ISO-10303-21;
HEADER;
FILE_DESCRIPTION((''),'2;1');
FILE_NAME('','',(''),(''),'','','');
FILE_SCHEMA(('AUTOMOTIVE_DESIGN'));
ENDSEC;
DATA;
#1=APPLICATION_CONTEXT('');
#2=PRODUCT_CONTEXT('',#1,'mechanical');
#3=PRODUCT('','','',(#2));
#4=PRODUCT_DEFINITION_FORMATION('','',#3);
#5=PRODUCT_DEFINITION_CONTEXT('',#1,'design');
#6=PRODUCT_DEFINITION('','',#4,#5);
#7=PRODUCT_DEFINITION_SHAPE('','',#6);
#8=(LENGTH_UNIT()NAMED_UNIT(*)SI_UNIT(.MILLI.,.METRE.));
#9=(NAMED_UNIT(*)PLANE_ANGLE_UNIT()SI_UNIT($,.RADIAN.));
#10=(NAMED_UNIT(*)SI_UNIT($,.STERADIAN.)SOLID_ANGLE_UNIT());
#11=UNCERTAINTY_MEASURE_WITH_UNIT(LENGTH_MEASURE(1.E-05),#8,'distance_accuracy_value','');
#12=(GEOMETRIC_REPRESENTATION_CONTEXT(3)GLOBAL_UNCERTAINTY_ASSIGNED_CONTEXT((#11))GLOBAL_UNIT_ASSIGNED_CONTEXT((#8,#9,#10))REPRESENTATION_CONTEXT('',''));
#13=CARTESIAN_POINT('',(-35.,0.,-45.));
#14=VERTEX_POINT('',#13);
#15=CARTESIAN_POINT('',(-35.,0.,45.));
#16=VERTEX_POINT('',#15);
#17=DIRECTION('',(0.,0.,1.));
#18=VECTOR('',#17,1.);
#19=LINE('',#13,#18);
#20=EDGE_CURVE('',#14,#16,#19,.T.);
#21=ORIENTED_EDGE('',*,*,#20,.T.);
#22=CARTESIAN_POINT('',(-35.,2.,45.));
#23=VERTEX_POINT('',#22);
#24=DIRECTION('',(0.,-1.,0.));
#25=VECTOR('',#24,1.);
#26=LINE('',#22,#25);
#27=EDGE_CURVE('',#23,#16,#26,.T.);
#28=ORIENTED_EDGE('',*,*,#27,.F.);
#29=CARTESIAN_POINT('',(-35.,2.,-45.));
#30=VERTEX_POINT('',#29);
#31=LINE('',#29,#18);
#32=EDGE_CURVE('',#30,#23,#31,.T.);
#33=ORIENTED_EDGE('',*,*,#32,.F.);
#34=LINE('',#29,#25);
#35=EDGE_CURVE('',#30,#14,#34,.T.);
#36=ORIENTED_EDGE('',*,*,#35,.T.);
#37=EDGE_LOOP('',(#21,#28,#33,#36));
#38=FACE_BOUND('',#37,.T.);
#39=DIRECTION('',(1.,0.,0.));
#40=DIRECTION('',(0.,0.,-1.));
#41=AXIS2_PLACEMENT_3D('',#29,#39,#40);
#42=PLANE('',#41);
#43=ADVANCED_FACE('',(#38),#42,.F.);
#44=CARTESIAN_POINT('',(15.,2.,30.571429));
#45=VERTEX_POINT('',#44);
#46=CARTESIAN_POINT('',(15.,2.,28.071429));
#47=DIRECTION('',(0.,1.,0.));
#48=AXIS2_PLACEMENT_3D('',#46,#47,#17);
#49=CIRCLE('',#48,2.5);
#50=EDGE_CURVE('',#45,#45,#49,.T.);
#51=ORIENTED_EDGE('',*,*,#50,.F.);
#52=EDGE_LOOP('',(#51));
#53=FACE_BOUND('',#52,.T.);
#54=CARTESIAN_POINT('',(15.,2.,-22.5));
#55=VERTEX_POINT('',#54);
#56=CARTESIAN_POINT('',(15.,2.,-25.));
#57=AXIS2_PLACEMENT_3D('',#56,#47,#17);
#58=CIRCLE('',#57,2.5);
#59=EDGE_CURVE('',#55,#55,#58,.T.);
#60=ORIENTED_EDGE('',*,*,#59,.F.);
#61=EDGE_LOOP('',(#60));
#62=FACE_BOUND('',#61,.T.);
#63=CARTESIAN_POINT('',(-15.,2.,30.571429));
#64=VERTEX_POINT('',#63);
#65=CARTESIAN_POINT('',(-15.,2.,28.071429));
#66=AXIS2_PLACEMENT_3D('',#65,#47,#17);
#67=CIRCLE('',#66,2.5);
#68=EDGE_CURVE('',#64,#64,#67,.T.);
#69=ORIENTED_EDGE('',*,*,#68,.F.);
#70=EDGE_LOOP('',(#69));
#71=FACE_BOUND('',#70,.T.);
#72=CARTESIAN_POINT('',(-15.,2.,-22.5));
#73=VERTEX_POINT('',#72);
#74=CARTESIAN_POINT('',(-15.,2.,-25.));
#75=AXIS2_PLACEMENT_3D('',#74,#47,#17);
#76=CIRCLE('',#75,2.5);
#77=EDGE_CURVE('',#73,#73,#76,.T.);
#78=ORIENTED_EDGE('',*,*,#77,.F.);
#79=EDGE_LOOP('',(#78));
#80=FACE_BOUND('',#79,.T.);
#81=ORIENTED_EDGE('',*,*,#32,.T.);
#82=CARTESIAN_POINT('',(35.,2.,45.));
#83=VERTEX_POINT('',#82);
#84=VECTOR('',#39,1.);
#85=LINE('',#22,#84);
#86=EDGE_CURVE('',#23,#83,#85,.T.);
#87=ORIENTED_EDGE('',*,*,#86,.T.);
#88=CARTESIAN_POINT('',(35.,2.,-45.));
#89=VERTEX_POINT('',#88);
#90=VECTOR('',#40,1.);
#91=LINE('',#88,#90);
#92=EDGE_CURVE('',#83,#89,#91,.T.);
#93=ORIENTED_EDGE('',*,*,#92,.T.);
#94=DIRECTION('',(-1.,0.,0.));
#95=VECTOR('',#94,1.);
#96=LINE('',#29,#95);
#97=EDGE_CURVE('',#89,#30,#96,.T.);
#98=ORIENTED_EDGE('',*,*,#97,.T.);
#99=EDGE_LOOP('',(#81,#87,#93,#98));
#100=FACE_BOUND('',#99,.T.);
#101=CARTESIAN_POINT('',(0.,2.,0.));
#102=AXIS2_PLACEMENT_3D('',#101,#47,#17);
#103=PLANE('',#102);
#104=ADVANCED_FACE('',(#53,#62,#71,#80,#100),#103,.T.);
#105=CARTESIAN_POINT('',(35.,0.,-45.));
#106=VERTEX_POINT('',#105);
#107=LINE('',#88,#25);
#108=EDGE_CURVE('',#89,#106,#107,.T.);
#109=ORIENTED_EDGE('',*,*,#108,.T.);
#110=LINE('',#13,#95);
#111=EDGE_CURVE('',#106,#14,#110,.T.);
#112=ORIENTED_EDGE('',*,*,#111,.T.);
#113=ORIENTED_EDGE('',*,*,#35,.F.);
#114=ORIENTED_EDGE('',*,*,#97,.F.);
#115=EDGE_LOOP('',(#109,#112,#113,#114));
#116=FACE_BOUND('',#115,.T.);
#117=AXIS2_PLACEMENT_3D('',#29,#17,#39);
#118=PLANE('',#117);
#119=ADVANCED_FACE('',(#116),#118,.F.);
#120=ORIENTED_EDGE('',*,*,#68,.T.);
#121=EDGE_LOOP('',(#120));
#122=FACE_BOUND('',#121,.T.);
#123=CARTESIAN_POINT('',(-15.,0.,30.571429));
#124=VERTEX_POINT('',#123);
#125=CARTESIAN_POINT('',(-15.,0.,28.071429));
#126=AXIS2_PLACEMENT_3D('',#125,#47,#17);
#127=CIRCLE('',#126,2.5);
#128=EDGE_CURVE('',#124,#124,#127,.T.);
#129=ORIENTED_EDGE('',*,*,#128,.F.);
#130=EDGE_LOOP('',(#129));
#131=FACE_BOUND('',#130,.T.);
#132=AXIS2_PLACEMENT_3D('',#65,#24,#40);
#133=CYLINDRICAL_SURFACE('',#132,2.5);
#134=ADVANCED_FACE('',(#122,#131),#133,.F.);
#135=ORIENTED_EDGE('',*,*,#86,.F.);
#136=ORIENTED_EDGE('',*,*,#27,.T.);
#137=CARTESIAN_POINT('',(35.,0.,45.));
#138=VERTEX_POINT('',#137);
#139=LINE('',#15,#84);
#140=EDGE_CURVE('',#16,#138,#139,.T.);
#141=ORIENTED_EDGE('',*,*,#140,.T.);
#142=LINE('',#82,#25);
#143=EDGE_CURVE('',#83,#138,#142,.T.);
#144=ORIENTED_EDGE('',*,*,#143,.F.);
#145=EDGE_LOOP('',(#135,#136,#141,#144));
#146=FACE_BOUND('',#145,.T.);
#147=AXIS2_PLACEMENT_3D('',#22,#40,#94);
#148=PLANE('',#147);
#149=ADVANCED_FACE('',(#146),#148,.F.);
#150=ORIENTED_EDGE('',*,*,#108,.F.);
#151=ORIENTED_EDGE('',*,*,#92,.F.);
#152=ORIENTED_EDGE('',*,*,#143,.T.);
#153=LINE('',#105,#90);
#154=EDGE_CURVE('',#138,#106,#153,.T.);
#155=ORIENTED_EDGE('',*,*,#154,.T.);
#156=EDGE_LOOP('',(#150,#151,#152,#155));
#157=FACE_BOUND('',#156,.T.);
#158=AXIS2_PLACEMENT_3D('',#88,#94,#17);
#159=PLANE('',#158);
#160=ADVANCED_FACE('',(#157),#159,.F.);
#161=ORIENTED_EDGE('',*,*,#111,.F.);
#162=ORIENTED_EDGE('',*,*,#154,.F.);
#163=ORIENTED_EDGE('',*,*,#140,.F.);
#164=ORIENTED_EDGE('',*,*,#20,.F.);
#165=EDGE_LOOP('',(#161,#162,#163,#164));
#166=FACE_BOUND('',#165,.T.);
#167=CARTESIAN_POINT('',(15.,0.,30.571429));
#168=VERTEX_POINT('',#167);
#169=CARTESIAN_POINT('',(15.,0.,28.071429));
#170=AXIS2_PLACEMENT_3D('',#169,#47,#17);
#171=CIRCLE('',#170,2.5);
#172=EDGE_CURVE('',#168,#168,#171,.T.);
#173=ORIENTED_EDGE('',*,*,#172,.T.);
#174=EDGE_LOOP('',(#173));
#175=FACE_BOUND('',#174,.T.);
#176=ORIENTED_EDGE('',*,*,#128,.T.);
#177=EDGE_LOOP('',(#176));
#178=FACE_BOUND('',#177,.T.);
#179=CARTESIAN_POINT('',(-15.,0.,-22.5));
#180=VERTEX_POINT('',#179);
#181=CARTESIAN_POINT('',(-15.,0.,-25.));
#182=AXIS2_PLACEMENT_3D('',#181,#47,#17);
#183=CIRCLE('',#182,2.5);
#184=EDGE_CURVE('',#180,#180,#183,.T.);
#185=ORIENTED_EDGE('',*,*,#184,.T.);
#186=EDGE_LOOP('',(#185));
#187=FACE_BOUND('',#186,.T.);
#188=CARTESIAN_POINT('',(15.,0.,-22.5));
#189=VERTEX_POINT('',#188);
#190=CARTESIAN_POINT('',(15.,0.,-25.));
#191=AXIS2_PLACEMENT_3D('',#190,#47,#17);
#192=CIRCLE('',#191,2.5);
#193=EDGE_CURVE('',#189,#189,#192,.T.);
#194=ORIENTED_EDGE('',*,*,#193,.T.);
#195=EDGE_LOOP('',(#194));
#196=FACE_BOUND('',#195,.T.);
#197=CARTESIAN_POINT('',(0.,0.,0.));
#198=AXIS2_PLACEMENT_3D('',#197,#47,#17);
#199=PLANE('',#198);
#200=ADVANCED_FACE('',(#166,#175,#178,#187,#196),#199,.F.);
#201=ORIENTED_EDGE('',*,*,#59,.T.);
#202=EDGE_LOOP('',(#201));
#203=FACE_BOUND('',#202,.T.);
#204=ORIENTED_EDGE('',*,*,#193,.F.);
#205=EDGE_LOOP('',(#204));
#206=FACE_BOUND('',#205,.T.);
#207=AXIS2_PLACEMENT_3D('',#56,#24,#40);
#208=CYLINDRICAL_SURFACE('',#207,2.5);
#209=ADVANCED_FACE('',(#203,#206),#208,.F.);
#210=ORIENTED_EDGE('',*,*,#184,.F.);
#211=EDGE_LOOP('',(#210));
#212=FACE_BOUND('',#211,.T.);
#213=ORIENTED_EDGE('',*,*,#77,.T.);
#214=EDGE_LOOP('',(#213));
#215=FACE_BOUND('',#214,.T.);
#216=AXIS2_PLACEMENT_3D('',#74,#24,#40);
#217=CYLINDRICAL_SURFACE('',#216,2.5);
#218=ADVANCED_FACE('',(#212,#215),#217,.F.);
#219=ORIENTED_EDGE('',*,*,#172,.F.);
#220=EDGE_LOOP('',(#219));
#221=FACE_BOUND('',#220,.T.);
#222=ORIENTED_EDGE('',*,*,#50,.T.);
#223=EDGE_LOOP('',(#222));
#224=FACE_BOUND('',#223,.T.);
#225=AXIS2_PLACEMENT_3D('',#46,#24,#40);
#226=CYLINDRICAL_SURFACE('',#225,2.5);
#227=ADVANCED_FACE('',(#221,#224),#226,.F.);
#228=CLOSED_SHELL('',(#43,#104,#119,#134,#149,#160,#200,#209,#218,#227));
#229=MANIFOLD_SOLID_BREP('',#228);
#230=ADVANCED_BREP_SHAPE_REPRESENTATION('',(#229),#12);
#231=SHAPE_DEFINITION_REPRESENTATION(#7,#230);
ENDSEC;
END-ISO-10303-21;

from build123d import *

# Parameters (mm, degrees)
SKETCH1_W           = 70
SKETCH1_H           = 90
SKETCH1_R           = 2.5
BOSS_EXTRUDE1_DEPTH = 2


with BuildPart() as part:
    # Sketch1 → Boss-Extrude1 (new body)
    with BuildSketch(Plane(origin=(0, 0, 0), x_dir=(1, 0, 0), z_dir=(0, 1, 0))):
        Rectangle(SKETCH1_W, SKETCH1_H)
        with Locations(Location((-15, 25, 0), (0, 0, 270))):
            Circle(SKETCH1_R, mode=Mode.SUBTRACT)
        with Locations(Location((15, 25, 0), (0, 0, 270))):
            Circle(SKETCH1_R, mode=Mode.SUBTRACT)
        with Locations(Location((-15, -28.071428571, 0), (0, 0, 270))):
            Circle(SKETCH1_R, mode=Mode.SUBTRACT)
        with Locations(Location((15, -28.071428571, 0), (0, 0, 270))):
            Circle(SKETCH1_R, mode=Mode.SUBTRACT)
    extrude(amount=BOSS_EXTRUDE1_DEPTH)


solid = part.part
